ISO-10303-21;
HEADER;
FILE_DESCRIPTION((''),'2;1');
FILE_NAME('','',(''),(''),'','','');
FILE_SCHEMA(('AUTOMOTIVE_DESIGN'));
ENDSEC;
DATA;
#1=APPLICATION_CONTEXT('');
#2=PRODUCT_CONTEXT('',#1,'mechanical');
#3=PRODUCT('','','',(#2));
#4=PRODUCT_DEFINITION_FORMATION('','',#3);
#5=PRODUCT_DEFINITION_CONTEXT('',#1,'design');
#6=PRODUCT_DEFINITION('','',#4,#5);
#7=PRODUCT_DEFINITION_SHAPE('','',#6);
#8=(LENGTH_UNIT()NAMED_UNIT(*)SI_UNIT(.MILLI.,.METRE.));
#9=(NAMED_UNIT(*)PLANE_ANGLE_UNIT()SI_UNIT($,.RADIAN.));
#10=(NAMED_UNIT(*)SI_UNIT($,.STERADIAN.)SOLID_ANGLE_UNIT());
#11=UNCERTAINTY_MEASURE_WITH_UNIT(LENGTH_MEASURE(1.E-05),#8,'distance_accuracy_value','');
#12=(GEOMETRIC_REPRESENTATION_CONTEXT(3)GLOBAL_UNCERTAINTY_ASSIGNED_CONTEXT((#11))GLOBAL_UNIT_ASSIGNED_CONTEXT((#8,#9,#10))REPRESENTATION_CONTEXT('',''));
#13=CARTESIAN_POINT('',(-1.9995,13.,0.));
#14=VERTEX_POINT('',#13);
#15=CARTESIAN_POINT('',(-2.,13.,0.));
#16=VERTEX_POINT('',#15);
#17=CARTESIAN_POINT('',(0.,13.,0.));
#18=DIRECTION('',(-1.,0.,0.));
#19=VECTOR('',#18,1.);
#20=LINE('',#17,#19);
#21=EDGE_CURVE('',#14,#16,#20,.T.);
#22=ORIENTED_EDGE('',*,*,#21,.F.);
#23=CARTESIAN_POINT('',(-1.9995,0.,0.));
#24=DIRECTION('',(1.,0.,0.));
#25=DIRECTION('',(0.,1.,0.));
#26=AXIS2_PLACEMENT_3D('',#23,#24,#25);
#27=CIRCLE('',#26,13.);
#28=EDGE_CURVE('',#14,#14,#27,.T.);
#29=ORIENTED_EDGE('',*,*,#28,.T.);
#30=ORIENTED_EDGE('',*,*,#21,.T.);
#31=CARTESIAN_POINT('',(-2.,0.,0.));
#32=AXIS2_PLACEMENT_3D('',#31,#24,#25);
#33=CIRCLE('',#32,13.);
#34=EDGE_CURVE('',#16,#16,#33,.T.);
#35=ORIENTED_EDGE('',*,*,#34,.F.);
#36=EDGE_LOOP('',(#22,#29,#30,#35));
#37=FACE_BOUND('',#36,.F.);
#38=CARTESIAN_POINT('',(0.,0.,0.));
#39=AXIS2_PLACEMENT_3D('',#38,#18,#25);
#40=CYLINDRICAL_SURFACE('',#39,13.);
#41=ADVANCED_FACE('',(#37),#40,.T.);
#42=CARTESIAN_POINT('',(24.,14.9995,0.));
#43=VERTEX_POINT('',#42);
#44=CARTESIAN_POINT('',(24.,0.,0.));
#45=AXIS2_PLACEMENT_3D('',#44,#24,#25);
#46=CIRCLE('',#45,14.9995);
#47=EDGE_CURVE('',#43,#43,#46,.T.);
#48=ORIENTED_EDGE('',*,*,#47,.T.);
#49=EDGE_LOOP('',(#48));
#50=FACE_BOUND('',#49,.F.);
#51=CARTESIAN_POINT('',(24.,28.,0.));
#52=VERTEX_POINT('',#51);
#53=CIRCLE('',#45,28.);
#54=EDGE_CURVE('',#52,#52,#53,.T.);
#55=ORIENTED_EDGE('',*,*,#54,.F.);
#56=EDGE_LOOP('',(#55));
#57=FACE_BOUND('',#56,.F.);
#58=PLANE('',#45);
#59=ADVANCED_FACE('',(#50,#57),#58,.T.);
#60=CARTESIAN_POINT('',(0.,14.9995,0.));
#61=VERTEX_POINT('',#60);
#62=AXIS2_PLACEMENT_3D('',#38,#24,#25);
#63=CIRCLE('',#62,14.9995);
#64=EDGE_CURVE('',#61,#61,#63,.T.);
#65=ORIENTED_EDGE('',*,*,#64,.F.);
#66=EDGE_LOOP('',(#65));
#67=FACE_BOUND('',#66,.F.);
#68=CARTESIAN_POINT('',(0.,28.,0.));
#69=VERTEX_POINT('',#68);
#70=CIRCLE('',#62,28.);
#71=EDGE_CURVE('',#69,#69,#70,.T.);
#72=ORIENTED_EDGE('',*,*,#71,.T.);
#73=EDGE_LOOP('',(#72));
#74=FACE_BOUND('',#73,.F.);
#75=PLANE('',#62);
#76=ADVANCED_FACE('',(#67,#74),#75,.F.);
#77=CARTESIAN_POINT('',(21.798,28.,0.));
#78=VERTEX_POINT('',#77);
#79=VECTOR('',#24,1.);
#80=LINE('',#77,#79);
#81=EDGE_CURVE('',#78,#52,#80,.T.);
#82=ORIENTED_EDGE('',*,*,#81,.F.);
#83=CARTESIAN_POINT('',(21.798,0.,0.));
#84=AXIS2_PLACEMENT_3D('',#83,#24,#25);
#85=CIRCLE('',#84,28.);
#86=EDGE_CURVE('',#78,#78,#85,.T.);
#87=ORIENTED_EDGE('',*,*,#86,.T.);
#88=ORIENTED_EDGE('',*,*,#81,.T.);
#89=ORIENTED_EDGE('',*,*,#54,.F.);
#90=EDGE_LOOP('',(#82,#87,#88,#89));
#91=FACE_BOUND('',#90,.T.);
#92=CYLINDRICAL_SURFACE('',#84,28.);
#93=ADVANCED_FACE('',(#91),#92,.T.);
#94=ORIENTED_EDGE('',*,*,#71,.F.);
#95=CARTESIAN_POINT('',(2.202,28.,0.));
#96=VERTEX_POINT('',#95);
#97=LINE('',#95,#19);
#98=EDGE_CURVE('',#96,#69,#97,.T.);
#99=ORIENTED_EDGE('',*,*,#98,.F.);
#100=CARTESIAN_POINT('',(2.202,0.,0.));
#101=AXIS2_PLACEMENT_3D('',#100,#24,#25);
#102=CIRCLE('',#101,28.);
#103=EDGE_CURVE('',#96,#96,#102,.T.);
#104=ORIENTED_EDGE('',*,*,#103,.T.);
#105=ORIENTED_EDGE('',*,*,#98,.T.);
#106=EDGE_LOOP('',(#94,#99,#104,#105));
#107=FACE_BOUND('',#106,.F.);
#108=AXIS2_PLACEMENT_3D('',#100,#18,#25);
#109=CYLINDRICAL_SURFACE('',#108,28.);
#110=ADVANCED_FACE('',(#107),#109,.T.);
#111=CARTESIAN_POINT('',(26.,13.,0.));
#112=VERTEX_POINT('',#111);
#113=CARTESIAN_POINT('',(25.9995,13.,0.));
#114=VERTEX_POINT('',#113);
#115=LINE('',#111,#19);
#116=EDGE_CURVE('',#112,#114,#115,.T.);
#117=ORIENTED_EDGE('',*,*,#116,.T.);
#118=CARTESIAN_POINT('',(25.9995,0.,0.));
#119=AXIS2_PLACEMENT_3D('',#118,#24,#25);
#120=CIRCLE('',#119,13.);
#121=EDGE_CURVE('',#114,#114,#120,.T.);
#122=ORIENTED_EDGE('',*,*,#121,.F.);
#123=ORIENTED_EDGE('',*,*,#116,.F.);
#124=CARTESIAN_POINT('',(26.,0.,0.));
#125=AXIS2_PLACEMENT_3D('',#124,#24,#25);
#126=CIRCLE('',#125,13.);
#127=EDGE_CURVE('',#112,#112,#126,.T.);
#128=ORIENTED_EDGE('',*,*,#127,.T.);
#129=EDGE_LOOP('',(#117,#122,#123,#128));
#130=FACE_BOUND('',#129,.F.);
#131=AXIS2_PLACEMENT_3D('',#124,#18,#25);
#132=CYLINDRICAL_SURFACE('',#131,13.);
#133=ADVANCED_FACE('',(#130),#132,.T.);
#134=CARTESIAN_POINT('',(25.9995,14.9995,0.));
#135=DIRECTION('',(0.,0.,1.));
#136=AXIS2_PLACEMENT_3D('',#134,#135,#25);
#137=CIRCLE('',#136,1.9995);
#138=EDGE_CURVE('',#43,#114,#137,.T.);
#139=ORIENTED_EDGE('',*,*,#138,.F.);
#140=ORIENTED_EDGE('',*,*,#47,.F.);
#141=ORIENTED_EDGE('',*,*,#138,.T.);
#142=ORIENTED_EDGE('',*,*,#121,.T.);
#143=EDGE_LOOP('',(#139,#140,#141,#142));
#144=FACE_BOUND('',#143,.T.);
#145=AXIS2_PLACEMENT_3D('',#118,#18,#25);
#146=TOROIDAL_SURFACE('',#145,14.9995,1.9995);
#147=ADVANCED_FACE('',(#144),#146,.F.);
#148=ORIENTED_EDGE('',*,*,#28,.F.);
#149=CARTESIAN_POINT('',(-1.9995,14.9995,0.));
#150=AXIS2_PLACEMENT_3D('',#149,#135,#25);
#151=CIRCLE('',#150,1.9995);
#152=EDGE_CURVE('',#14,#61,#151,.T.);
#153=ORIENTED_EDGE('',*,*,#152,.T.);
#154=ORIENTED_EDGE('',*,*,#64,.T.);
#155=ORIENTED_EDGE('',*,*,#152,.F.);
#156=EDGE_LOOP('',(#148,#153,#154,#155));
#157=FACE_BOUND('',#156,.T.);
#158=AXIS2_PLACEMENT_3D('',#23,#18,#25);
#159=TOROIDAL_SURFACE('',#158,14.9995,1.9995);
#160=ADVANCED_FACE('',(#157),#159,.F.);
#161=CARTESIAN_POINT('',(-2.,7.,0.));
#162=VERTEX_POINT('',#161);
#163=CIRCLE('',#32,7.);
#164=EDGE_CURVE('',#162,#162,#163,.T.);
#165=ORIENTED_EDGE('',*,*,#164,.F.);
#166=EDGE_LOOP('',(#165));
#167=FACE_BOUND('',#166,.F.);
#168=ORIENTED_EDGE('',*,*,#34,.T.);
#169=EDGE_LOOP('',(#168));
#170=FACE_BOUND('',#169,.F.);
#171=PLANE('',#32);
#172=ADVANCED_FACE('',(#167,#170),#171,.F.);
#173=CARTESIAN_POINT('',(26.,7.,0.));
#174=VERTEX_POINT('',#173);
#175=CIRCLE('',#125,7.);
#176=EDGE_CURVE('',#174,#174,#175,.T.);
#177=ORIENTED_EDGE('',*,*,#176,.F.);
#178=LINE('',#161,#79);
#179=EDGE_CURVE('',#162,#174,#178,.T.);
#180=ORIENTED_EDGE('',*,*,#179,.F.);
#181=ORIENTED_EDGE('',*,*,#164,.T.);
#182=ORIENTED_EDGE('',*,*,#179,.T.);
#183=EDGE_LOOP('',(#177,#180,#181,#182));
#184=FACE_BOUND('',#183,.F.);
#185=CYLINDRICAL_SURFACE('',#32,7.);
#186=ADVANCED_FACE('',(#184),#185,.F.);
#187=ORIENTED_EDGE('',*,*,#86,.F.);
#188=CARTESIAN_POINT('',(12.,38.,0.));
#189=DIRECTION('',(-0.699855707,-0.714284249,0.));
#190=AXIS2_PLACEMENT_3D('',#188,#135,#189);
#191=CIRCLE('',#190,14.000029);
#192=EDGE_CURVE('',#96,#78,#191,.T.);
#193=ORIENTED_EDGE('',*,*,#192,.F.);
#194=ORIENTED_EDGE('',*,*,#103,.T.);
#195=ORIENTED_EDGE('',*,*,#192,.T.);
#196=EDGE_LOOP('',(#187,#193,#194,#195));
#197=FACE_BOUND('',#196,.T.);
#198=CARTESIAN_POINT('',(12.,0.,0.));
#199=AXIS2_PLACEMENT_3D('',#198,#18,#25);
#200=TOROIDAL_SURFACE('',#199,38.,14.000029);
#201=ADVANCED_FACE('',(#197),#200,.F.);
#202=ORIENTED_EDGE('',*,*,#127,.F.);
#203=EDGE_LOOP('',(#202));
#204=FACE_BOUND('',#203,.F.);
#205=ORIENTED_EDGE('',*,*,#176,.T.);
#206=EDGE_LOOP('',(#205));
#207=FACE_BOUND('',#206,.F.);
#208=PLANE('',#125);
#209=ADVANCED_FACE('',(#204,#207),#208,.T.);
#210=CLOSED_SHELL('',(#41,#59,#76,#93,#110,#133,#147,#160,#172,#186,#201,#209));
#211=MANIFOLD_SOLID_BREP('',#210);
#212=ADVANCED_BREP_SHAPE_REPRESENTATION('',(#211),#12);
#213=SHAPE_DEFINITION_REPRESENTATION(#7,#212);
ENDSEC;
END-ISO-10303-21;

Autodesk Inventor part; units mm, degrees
ref_plane "YZ Plane" through (0, 0, 0) normal (1, 0, 0) x (0, 1, 0)
ref_plane "XZ Plane" through (0, 0, 0) normal (0, 1, 0) x (-1, 0, 0)
ref_plane "XY Plane" through (0, 0, 0) normal (0, 0, 1) x (1, 0, 0)
sketch "Sketch1" plane through (0, 0, 0) normal (0, 0, 1) x (1, 0, 0)
  line L0 (-2, 7) -> (26, 7)
  line L1 (-13.8022, 0) -> (14.1978, 0) construction
  line L2 (26, 7) -> (26, 13)
  line L3 (26, 13) -> (24, 13)
  line L4 (24, 13) -> (24, 28)
  line L5 (0, 28) -> (0, 13)
  line L6 (0, 13) -> (-2, 13)
  line L7 (-2, 13) -> (-2, 7)
  arc A0 (2.202, 28) -> (21.798, 28) centre (12, 38) ccw
  arc A1 (2.202, 28) -> (21.798, 28) centre (12, 38) ccw
  line L8 (2.202, 28) -> (0, 28)
  line L9 (21.798, 28) -> (24, 28)
  point P0 (0, 0)
  dimension "d0" = 28
  dimension "d1" = 14
  dimension "d2" = 26
  dimension "d3" = 2
  dimension "d5" = 24
  dimension "d11" = 14
  dimension "d12" = 56
  dimension "d13" = 76
revolve "Revolution1" add sketch "Sketch1" angle 360 about axis through (-13.8022, 0, 0) along (1, 0, 0)
fillet "Fillet1" radius 2 2 edges at (24, -13, 0) (0, -13, 0)
properties part number "parte2_revolucion"
